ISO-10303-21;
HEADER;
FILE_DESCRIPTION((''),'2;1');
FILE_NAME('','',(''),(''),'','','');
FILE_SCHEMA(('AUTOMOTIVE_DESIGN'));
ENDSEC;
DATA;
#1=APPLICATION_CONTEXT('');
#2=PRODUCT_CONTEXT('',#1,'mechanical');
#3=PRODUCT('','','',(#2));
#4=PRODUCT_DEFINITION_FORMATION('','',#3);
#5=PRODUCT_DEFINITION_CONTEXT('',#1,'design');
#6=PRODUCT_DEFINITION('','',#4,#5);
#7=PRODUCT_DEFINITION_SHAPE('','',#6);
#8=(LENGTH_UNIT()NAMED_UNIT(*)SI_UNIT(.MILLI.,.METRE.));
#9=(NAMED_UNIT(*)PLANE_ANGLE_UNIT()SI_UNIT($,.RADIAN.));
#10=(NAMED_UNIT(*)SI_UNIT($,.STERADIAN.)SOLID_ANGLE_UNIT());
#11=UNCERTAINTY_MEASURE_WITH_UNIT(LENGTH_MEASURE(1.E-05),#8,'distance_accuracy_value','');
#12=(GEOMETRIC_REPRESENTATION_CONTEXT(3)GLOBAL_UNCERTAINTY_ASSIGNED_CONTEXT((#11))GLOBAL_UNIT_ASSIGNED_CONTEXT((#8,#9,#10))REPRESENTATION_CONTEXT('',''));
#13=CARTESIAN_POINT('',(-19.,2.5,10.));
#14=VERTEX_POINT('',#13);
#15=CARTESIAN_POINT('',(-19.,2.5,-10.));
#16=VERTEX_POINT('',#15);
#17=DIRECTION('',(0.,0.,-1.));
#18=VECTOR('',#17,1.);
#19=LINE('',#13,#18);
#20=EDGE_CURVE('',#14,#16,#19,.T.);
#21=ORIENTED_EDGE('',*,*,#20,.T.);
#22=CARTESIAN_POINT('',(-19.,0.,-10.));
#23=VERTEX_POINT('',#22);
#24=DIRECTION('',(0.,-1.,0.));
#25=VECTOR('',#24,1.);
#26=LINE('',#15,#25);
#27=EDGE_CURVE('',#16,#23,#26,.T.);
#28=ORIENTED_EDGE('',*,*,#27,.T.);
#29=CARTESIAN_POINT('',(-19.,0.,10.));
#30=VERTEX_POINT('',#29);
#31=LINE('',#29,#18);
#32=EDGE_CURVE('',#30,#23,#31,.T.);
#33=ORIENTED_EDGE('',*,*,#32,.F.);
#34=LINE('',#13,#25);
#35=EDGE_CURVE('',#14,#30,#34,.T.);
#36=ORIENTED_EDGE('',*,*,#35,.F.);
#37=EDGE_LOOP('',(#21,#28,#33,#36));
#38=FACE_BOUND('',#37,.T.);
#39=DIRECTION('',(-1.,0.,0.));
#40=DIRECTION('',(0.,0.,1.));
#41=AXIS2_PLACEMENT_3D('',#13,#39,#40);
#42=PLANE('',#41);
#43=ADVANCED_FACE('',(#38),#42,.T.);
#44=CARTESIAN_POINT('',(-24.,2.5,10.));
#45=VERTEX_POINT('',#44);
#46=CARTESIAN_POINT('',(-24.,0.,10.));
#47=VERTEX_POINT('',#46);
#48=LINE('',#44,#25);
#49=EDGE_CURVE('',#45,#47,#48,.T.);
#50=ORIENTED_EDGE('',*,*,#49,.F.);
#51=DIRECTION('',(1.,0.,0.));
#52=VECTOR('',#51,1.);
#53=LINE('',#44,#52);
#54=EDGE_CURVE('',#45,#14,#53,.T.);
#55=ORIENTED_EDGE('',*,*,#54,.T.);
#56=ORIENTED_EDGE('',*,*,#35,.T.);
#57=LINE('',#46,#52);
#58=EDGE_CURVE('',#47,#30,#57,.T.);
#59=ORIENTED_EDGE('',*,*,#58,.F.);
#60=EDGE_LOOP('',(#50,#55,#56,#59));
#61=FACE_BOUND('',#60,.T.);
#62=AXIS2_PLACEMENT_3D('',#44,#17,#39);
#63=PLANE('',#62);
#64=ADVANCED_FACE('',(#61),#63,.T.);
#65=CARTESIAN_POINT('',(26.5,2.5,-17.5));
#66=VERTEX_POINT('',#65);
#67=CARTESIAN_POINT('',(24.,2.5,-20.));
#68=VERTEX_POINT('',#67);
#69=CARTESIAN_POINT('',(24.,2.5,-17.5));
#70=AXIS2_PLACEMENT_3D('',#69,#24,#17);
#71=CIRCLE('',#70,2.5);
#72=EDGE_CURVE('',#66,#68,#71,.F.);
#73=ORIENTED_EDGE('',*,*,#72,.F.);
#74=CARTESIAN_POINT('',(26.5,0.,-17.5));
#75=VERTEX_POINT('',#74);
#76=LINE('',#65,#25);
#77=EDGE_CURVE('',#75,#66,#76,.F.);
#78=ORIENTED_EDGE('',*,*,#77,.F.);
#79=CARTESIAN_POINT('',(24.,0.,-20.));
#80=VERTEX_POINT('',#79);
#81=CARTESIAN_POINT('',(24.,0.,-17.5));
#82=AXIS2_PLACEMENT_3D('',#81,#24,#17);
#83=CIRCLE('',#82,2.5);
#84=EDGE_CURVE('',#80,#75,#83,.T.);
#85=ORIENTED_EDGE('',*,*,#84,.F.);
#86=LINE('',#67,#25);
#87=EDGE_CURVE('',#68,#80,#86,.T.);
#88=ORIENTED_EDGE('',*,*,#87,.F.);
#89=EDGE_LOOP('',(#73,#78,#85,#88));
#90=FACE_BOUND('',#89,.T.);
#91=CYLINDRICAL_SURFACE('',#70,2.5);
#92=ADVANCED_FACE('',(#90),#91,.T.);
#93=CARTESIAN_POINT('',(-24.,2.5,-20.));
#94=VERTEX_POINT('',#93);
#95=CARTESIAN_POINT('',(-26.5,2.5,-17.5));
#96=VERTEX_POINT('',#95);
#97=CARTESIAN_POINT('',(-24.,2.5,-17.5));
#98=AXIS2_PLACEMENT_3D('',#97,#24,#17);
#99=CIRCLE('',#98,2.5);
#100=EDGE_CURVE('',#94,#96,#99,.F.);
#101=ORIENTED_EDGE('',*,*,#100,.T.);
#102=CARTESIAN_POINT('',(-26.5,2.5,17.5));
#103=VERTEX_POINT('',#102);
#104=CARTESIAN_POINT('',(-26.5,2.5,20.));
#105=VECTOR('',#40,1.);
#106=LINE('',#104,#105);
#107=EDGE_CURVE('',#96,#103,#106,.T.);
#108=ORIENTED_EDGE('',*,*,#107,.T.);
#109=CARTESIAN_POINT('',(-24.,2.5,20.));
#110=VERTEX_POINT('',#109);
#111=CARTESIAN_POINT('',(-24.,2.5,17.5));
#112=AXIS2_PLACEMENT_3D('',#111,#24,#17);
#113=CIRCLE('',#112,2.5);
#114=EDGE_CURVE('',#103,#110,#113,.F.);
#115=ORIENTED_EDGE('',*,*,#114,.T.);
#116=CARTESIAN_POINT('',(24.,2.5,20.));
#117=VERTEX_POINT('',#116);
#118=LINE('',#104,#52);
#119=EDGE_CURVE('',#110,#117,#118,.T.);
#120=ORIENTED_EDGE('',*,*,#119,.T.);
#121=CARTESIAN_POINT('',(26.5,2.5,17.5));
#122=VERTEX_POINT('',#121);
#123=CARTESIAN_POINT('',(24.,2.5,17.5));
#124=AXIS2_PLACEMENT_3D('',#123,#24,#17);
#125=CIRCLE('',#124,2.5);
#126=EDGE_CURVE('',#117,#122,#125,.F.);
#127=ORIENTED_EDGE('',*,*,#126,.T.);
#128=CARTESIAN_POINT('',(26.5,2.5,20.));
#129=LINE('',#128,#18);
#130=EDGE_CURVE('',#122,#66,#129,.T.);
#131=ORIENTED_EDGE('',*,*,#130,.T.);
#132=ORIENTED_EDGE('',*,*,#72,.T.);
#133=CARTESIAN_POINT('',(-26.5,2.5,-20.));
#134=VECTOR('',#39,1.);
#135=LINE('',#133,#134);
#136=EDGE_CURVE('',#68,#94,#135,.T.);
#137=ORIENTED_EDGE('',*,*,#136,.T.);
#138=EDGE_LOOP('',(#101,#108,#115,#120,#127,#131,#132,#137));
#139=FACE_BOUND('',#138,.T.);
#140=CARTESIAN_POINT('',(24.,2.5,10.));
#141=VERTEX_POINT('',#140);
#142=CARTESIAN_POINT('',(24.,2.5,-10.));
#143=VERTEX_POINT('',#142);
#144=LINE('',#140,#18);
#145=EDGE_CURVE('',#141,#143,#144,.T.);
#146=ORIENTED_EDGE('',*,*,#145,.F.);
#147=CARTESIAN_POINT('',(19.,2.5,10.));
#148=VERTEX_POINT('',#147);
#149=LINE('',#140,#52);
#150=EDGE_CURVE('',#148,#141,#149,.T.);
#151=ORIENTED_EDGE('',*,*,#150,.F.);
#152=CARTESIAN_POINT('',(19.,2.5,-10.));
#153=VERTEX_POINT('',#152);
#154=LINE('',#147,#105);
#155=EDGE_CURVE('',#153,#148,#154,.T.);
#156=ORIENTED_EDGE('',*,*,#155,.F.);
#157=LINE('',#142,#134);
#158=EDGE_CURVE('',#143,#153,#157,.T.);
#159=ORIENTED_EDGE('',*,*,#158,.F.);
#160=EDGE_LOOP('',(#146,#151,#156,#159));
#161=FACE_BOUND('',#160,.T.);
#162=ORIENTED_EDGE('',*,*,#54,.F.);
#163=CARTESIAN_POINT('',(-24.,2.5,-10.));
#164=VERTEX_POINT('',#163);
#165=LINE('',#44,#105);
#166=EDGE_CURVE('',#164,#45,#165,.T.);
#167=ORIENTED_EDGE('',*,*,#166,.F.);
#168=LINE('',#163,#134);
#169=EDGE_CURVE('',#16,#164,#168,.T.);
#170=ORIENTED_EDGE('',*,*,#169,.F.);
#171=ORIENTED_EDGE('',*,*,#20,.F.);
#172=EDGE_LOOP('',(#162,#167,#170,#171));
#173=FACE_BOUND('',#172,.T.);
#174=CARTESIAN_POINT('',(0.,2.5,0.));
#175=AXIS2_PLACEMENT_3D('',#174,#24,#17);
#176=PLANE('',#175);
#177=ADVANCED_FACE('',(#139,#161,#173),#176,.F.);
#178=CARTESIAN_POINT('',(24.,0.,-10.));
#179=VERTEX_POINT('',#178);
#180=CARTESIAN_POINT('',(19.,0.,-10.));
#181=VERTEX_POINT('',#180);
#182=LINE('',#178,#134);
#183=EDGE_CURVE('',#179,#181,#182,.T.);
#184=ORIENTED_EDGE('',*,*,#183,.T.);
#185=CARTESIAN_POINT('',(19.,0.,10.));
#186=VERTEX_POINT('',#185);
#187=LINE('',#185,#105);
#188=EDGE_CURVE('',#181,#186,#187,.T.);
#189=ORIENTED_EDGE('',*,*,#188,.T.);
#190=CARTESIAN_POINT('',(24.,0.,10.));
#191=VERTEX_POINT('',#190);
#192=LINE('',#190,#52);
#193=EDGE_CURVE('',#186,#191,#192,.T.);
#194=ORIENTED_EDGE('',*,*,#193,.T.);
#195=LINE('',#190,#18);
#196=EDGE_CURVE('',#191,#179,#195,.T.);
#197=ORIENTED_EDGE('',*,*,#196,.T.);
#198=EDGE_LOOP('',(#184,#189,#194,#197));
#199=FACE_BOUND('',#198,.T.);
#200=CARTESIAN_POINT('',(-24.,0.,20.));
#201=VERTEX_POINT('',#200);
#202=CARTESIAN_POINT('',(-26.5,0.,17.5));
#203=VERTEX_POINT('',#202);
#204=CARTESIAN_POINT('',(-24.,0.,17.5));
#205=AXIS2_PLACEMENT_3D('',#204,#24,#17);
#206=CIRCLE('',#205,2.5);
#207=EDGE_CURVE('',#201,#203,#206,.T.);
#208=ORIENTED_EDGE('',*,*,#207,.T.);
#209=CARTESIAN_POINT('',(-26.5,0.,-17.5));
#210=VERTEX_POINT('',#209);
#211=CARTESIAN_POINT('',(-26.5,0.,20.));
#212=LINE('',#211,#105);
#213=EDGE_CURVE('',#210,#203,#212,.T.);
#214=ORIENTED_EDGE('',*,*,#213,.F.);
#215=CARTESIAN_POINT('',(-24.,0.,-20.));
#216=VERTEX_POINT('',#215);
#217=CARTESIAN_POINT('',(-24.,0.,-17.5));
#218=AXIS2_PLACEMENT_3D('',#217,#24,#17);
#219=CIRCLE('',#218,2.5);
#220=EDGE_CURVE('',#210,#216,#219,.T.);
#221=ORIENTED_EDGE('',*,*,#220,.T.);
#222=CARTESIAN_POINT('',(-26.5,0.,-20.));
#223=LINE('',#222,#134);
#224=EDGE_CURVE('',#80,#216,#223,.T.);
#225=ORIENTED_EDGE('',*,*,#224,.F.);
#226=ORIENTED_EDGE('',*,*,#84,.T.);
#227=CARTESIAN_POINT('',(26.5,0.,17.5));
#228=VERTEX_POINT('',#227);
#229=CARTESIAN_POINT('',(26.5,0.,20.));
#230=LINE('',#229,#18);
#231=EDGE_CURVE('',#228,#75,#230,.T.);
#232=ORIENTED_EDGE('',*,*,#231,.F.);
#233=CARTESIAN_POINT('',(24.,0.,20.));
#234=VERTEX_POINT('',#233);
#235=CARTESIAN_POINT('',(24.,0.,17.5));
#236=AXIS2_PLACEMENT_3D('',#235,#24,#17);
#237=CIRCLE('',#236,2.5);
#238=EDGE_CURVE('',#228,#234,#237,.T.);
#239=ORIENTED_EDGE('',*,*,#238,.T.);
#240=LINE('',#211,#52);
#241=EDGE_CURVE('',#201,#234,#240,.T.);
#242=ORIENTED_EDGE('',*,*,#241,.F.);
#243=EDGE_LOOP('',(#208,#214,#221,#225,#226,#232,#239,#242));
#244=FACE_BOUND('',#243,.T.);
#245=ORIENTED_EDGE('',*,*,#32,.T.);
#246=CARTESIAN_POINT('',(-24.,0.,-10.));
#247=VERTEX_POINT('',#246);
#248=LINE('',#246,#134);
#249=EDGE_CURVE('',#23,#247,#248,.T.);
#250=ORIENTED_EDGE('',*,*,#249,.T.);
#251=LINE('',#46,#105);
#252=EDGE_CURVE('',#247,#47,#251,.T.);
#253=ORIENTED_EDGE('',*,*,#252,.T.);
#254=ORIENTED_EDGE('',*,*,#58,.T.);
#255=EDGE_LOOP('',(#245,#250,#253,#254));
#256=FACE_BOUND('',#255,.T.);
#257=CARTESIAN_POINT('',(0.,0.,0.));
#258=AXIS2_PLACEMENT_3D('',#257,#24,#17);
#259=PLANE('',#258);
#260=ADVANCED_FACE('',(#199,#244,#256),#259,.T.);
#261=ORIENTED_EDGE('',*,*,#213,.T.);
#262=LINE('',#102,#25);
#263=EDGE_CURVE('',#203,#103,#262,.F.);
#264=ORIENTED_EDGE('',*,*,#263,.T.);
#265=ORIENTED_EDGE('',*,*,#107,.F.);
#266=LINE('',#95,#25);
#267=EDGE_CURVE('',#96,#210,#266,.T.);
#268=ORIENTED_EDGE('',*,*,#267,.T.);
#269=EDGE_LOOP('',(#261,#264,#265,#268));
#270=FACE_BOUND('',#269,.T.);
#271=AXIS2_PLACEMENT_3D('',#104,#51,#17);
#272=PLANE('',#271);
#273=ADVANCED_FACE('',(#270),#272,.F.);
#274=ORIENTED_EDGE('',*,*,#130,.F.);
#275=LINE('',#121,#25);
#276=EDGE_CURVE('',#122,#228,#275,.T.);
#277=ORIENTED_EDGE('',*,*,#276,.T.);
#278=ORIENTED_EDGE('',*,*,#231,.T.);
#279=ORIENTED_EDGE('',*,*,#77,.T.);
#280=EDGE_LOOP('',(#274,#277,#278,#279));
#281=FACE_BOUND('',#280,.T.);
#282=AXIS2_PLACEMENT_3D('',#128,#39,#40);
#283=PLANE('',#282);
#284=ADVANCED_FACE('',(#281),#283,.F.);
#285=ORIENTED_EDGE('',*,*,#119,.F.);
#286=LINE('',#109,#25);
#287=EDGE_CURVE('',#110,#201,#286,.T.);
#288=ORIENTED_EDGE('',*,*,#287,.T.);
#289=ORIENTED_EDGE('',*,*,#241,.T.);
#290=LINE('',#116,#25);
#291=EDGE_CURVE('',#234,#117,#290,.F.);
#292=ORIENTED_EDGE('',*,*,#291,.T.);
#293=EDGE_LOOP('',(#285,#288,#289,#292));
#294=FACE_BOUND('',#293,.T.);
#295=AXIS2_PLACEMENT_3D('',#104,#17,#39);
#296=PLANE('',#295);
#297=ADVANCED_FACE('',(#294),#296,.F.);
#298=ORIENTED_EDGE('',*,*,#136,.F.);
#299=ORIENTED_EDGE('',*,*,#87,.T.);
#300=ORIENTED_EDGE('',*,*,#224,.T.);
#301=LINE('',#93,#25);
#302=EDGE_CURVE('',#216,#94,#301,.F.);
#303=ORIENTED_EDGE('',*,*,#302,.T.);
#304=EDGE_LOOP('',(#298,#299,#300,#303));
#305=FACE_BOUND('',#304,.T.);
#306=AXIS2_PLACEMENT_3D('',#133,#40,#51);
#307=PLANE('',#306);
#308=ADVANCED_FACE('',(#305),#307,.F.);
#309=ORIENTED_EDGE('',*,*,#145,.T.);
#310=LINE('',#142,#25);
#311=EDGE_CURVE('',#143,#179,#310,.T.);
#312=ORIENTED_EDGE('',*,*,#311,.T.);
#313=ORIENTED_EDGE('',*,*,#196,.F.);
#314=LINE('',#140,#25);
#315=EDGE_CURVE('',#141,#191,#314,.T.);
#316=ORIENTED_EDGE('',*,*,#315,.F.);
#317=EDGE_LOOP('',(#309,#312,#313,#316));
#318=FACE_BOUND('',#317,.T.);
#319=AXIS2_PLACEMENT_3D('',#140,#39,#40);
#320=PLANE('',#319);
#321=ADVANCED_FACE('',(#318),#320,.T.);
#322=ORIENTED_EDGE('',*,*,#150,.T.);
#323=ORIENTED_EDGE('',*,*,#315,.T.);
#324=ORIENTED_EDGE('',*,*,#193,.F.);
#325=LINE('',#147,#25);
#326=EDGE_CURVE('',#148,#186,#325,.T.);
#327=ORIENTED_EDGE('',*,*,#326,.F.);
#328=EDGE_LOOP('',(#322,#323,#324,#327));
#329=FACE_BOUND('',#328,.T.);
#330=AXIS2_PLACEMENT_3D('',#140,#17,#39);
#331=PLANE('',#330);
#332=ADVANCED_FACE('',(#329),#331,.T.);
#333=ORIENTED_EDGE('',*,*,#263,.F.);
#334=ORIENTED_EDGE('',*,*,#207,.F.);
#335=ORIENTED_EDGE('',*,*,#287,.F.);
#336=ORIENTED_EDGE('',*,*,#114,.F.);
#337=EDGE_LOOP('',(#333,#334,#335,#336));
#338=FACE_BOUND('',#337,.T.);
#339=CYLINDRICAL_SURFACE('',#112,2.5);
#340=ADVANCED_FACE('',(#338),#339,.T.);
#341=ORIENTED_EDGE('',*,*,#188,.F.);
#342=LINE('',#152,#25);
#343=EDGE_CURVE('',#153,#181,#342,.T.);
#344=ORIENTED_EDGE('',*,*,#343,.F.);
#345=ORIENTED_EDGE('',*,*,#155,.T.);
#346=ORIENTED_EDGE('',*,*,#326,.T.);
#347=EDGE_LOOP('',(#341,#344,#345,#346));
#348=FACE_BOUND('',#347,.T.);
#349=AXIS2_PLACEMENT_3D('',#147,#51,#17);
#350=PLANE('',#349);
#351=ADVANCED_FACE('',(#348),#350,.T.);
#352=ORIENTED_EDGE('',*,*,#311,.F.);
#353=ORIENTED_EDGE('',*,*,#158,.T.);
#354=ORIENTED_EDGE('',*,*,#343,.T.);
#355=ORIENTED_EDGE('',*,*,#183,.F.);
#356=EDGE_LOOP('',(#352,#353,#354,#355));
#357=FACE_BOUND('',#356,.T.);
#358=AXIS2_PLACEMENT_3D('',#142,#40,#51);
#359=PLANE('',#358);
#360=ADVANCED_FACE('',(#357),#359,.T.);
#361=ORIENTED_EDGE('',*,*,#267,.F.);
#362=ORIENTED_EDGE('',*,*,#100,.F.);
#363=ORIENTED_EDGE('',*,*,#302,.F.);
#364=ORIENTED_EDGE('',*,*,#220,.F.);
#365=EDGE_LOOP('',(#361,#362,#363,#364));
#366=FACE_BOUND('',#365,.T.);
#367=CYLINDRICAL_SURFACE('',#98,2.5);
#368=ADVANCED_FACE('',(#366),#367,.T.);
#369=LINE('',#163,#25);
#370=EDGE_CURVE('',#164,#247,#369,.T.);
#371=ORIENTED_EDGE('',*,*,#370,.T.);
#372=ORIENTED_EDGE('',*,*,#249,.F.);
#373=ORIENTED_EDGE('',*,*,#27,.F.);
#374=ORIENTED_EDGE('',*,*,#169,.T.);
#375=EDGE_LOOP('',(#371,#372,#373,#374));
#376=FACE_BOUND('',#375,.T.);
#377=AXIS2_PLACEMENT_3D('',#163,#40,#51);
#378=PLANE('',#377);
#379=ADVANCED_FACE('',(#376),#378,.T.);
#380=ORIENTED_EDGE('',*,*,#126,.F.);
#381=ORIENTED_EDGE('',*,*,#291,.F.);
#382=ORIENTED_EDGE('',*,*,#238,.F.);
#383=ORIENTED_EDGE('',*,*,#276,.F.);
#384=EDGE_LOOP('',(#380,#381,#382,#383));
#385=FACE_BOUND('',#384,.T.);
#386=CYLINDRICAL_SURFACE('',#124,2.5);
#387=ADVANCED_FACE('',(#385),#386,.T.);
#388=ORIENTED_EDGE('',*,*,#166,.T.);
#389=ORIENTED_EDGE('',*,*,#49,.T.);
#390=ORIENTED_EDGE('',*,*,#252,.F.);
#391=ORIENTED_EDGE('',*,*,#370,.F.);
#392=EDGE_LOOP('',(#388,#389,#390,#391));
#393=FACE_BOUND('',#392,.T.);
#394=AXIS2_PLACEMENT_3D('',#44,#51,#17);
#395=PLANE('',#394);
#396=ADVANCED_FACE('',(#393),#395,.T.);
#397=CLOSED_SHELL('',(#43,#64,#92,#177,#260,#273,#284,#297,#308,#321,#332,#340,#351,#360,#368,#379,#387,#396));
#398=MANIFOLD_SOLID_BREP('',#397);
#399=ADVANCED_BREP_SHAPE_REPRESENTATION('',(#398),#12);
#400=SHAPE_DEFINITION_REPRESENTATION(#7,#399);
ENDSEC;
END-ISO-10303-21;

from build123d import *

# Parameters (mm, degrees)
SKETCH1_W           = 53
SKETCH1_H           = 40
SKETCH1_W_2         = 5
SKETCH1_H_2         = 20
BOSS_EXTRUDE1_DEPTH = 2.5
FILLET1_R           = 2.5


with BuildPart() as part:
    # Sketch1 → Boss-Extrude1 (new body)
    with BuildSketch(Plane(origin=(0, 0, 0), x_dir=(1, 0, 0), z_dir=(0, 1, 0))):
        Rectangle(SKETCH1_W, SKETCH1_H)
        with Locations((-21.5, 0)):
            Rectangle(SKETCH1_W_2, SKETCH1_H_2, mode=Mode.SUBTRACT)
        with Locations((21.5, 0)):
            Rectangle(SKETCH1_W_2, SKETCH1_H_2, mode=Mode.SUBTRACT)
    extrude(amount=BOSS_EXTRUDE1_DEPTH)

    # Fillet1
    fillet1_edges = [part.edges().sort_by_distance(p)[0] for p in [
        (26.5, 1.25, 20),
        (-26.5, 1.25, 20),
        (-26.5, 1.25, -20),
        (26.5, 1.25, -20),
    ]]
    fillet(fillet1_edges, radius=FILLET1_R)


solid = part.part
